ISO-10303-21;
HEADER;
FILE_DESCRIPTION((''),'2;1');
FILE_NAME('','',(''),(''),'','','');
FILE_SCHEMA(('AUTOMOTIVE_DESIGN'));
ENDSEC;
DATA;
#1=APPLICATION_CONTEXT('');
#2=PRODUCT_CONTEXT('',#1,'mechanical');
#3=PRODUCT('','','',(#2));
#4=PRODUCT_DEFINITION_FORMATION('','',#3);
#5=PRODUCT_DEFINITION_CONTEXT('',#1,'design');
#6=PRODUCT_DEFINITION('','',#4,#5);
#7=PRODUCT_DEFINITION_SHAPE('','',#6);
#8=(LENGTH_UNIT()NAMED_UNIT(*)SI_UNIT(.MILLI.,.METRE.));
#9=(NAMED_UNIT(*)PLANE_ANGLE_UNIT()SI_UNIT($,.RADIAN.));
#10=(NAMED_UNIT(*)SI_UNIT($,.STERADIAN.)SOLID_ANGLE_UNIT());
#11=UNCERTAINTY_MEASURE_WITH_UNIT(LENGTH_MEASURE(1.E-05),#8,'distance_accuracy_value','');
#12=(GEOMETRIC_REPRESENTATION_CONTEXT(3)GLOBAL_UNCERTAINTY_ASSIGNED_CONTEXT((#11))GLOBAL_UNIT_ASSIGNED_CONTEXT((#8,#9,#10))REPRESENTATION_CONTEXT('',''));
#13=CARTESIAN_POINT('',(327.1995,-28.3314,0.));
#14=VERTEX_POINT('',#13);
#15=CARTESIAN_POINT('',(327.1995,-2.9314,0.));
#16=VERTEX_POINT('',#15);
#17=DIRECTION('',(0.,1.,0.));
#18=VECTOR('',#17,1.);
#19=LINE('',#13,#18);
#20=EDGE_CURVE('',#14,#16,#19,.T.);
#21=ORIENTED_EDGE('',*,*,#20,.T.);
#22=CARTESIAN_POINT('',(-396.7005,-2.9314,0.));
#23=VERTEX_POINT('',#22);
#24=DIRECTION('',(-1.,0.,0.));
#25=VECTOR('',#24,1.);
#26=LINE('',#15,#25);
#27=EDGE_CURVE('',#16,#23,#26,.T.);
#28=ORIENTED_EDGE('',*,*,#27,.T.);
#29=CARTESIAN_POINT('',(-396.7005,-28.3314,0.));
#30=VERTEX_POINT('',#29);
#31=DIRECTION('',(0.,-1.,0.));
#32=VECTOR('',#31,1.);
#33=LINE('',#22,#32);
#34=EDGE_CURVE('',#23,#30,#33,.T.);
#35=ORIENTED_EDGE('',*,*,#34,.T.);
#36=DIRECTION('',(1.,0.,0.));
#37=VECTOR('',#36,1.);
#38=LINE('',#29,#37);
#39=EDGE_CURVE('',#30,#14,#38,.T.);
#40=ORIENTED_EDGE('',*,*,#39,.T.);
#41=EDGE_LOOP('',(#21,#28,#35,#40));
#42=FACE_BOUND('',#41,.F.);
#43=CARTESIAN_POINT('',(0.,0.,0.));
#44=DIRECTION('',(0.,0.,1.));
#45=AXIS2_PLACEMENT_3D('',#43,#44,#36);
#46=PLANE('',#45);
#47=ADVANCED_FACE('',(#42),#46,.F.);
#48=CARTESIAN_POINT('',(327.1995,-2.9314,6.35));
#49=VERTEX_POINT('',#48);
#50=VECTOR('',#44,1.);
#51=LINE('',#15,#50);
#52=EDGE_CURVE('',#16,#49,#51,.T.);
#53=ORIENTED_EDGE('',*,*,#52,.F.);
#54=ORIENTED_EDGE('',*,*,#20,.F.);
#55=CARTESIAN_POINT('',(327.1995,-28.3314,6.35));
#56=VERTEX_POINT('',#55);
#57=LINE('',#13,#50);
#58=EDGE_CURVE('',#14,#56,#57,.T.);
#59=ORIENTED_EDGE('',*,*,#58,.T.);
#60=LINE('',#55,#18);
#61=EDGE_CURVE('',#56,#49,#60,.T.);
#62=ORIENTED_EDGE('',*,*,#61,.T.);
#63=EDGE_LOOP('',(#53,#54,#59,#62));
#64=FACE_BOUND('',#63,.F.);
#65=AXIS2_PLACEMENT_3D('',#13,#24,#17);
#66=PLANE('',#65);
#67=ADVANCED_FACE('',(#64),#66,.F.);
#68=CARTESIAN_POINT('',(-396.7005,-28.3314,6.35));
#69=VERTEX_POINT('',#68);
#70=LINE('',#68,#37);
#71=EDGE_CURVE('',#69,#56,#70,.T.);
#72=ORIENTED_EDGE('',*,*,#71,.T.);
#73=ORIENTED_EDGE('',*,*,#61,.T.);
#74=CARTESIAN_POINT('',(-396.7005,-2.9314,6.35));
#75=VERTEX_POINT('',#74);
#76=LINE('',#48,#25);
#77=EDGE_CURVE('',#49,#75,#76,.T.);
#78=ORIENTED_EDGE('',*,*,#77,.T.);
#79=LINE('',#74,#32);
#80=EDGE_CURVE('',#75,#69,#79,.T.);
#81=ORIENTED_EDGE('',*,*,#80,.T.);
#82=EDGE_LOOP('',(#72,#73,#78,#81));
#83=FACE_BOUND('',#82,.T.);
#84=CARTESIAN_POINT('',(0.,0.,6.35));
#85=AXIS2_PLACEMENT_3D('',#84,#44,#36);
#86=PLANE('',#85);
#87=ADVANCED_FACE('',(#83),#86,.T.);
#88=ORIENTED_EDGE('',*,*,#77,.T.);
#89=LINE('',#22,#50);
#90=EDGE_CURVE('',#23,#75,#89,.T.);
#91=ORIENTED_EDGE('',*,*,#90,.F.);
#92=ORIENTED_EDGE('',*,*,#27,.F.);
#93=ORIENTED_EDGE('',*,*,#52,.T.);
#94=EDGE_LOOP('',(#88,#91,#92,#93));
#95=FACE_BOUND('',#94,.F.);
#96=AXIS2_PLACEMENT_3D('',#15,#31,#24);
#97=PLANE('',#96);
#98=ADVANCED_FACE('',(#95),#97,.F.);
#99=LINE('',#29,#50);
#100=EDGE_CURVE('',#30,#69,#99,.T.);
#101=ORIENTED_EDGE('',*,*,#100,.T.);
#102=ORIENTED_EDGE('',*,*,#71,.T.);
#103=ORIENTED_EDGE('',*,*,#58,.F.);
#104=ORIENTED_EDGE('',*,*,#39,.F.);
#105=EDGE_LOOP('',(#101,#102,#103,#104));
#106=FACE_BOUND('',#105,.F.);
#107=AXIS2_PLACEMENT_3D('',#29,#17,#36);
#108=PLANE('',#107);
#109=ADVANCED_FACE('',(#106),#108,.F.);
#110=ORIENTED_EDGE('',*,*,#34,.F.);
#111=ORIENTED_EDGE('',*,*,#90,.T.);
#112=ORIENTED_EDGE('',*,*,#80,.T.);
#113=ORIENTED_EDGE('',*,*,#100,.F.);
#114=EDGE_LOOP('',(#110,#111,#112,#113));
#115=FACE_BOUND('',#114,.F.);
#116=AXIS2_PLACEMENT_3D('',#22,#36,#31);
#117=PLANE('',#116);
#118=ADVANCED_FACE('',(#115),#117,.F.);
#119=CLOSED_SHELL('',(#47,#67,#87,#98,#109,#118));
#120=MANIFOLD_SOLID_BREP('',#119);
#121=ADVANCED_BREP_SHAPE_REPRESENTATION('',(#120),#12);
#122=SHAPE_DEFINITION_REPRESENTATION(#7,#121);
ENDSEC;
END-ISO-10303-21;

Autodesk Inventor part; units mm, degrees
ref_plane "YZ Plane" through (0, 0, 0) normal (1, 0, 0) x (0, 1, 0)
ref_plane "XZ Plane" through (0, 0, 0) normal (0, 1, 0) x (-1, 0, 0)
ref_plane "XY Plane" through (0, 0, 0) normal (0, 0, 1) x (1, 0, 0)
sketch "Sketch1" plane through (0, 0, 0) normal (0, 0, 1) x (1, 0, 0)
  line L0 (-396.7005, -28.3314) -> (327.1995, -28.3314)
  line L1 (327.1995, -28.3314) -> (327.1995, -2.9314)
  line L2 (327.1995, -2.9314) -> (-396.7005, -2.9314)
  line L3 (-396.7005, -2.9314) -> (-396.7005, -28.3314)
  point P0 (0, 0)
  dimension "d0" = 723.9
  dimension "d1" = 25.4
extrude "Extrusion1" add sketch "Sketch1" along normal blind 6.35
properties part number "2018 Slide"
